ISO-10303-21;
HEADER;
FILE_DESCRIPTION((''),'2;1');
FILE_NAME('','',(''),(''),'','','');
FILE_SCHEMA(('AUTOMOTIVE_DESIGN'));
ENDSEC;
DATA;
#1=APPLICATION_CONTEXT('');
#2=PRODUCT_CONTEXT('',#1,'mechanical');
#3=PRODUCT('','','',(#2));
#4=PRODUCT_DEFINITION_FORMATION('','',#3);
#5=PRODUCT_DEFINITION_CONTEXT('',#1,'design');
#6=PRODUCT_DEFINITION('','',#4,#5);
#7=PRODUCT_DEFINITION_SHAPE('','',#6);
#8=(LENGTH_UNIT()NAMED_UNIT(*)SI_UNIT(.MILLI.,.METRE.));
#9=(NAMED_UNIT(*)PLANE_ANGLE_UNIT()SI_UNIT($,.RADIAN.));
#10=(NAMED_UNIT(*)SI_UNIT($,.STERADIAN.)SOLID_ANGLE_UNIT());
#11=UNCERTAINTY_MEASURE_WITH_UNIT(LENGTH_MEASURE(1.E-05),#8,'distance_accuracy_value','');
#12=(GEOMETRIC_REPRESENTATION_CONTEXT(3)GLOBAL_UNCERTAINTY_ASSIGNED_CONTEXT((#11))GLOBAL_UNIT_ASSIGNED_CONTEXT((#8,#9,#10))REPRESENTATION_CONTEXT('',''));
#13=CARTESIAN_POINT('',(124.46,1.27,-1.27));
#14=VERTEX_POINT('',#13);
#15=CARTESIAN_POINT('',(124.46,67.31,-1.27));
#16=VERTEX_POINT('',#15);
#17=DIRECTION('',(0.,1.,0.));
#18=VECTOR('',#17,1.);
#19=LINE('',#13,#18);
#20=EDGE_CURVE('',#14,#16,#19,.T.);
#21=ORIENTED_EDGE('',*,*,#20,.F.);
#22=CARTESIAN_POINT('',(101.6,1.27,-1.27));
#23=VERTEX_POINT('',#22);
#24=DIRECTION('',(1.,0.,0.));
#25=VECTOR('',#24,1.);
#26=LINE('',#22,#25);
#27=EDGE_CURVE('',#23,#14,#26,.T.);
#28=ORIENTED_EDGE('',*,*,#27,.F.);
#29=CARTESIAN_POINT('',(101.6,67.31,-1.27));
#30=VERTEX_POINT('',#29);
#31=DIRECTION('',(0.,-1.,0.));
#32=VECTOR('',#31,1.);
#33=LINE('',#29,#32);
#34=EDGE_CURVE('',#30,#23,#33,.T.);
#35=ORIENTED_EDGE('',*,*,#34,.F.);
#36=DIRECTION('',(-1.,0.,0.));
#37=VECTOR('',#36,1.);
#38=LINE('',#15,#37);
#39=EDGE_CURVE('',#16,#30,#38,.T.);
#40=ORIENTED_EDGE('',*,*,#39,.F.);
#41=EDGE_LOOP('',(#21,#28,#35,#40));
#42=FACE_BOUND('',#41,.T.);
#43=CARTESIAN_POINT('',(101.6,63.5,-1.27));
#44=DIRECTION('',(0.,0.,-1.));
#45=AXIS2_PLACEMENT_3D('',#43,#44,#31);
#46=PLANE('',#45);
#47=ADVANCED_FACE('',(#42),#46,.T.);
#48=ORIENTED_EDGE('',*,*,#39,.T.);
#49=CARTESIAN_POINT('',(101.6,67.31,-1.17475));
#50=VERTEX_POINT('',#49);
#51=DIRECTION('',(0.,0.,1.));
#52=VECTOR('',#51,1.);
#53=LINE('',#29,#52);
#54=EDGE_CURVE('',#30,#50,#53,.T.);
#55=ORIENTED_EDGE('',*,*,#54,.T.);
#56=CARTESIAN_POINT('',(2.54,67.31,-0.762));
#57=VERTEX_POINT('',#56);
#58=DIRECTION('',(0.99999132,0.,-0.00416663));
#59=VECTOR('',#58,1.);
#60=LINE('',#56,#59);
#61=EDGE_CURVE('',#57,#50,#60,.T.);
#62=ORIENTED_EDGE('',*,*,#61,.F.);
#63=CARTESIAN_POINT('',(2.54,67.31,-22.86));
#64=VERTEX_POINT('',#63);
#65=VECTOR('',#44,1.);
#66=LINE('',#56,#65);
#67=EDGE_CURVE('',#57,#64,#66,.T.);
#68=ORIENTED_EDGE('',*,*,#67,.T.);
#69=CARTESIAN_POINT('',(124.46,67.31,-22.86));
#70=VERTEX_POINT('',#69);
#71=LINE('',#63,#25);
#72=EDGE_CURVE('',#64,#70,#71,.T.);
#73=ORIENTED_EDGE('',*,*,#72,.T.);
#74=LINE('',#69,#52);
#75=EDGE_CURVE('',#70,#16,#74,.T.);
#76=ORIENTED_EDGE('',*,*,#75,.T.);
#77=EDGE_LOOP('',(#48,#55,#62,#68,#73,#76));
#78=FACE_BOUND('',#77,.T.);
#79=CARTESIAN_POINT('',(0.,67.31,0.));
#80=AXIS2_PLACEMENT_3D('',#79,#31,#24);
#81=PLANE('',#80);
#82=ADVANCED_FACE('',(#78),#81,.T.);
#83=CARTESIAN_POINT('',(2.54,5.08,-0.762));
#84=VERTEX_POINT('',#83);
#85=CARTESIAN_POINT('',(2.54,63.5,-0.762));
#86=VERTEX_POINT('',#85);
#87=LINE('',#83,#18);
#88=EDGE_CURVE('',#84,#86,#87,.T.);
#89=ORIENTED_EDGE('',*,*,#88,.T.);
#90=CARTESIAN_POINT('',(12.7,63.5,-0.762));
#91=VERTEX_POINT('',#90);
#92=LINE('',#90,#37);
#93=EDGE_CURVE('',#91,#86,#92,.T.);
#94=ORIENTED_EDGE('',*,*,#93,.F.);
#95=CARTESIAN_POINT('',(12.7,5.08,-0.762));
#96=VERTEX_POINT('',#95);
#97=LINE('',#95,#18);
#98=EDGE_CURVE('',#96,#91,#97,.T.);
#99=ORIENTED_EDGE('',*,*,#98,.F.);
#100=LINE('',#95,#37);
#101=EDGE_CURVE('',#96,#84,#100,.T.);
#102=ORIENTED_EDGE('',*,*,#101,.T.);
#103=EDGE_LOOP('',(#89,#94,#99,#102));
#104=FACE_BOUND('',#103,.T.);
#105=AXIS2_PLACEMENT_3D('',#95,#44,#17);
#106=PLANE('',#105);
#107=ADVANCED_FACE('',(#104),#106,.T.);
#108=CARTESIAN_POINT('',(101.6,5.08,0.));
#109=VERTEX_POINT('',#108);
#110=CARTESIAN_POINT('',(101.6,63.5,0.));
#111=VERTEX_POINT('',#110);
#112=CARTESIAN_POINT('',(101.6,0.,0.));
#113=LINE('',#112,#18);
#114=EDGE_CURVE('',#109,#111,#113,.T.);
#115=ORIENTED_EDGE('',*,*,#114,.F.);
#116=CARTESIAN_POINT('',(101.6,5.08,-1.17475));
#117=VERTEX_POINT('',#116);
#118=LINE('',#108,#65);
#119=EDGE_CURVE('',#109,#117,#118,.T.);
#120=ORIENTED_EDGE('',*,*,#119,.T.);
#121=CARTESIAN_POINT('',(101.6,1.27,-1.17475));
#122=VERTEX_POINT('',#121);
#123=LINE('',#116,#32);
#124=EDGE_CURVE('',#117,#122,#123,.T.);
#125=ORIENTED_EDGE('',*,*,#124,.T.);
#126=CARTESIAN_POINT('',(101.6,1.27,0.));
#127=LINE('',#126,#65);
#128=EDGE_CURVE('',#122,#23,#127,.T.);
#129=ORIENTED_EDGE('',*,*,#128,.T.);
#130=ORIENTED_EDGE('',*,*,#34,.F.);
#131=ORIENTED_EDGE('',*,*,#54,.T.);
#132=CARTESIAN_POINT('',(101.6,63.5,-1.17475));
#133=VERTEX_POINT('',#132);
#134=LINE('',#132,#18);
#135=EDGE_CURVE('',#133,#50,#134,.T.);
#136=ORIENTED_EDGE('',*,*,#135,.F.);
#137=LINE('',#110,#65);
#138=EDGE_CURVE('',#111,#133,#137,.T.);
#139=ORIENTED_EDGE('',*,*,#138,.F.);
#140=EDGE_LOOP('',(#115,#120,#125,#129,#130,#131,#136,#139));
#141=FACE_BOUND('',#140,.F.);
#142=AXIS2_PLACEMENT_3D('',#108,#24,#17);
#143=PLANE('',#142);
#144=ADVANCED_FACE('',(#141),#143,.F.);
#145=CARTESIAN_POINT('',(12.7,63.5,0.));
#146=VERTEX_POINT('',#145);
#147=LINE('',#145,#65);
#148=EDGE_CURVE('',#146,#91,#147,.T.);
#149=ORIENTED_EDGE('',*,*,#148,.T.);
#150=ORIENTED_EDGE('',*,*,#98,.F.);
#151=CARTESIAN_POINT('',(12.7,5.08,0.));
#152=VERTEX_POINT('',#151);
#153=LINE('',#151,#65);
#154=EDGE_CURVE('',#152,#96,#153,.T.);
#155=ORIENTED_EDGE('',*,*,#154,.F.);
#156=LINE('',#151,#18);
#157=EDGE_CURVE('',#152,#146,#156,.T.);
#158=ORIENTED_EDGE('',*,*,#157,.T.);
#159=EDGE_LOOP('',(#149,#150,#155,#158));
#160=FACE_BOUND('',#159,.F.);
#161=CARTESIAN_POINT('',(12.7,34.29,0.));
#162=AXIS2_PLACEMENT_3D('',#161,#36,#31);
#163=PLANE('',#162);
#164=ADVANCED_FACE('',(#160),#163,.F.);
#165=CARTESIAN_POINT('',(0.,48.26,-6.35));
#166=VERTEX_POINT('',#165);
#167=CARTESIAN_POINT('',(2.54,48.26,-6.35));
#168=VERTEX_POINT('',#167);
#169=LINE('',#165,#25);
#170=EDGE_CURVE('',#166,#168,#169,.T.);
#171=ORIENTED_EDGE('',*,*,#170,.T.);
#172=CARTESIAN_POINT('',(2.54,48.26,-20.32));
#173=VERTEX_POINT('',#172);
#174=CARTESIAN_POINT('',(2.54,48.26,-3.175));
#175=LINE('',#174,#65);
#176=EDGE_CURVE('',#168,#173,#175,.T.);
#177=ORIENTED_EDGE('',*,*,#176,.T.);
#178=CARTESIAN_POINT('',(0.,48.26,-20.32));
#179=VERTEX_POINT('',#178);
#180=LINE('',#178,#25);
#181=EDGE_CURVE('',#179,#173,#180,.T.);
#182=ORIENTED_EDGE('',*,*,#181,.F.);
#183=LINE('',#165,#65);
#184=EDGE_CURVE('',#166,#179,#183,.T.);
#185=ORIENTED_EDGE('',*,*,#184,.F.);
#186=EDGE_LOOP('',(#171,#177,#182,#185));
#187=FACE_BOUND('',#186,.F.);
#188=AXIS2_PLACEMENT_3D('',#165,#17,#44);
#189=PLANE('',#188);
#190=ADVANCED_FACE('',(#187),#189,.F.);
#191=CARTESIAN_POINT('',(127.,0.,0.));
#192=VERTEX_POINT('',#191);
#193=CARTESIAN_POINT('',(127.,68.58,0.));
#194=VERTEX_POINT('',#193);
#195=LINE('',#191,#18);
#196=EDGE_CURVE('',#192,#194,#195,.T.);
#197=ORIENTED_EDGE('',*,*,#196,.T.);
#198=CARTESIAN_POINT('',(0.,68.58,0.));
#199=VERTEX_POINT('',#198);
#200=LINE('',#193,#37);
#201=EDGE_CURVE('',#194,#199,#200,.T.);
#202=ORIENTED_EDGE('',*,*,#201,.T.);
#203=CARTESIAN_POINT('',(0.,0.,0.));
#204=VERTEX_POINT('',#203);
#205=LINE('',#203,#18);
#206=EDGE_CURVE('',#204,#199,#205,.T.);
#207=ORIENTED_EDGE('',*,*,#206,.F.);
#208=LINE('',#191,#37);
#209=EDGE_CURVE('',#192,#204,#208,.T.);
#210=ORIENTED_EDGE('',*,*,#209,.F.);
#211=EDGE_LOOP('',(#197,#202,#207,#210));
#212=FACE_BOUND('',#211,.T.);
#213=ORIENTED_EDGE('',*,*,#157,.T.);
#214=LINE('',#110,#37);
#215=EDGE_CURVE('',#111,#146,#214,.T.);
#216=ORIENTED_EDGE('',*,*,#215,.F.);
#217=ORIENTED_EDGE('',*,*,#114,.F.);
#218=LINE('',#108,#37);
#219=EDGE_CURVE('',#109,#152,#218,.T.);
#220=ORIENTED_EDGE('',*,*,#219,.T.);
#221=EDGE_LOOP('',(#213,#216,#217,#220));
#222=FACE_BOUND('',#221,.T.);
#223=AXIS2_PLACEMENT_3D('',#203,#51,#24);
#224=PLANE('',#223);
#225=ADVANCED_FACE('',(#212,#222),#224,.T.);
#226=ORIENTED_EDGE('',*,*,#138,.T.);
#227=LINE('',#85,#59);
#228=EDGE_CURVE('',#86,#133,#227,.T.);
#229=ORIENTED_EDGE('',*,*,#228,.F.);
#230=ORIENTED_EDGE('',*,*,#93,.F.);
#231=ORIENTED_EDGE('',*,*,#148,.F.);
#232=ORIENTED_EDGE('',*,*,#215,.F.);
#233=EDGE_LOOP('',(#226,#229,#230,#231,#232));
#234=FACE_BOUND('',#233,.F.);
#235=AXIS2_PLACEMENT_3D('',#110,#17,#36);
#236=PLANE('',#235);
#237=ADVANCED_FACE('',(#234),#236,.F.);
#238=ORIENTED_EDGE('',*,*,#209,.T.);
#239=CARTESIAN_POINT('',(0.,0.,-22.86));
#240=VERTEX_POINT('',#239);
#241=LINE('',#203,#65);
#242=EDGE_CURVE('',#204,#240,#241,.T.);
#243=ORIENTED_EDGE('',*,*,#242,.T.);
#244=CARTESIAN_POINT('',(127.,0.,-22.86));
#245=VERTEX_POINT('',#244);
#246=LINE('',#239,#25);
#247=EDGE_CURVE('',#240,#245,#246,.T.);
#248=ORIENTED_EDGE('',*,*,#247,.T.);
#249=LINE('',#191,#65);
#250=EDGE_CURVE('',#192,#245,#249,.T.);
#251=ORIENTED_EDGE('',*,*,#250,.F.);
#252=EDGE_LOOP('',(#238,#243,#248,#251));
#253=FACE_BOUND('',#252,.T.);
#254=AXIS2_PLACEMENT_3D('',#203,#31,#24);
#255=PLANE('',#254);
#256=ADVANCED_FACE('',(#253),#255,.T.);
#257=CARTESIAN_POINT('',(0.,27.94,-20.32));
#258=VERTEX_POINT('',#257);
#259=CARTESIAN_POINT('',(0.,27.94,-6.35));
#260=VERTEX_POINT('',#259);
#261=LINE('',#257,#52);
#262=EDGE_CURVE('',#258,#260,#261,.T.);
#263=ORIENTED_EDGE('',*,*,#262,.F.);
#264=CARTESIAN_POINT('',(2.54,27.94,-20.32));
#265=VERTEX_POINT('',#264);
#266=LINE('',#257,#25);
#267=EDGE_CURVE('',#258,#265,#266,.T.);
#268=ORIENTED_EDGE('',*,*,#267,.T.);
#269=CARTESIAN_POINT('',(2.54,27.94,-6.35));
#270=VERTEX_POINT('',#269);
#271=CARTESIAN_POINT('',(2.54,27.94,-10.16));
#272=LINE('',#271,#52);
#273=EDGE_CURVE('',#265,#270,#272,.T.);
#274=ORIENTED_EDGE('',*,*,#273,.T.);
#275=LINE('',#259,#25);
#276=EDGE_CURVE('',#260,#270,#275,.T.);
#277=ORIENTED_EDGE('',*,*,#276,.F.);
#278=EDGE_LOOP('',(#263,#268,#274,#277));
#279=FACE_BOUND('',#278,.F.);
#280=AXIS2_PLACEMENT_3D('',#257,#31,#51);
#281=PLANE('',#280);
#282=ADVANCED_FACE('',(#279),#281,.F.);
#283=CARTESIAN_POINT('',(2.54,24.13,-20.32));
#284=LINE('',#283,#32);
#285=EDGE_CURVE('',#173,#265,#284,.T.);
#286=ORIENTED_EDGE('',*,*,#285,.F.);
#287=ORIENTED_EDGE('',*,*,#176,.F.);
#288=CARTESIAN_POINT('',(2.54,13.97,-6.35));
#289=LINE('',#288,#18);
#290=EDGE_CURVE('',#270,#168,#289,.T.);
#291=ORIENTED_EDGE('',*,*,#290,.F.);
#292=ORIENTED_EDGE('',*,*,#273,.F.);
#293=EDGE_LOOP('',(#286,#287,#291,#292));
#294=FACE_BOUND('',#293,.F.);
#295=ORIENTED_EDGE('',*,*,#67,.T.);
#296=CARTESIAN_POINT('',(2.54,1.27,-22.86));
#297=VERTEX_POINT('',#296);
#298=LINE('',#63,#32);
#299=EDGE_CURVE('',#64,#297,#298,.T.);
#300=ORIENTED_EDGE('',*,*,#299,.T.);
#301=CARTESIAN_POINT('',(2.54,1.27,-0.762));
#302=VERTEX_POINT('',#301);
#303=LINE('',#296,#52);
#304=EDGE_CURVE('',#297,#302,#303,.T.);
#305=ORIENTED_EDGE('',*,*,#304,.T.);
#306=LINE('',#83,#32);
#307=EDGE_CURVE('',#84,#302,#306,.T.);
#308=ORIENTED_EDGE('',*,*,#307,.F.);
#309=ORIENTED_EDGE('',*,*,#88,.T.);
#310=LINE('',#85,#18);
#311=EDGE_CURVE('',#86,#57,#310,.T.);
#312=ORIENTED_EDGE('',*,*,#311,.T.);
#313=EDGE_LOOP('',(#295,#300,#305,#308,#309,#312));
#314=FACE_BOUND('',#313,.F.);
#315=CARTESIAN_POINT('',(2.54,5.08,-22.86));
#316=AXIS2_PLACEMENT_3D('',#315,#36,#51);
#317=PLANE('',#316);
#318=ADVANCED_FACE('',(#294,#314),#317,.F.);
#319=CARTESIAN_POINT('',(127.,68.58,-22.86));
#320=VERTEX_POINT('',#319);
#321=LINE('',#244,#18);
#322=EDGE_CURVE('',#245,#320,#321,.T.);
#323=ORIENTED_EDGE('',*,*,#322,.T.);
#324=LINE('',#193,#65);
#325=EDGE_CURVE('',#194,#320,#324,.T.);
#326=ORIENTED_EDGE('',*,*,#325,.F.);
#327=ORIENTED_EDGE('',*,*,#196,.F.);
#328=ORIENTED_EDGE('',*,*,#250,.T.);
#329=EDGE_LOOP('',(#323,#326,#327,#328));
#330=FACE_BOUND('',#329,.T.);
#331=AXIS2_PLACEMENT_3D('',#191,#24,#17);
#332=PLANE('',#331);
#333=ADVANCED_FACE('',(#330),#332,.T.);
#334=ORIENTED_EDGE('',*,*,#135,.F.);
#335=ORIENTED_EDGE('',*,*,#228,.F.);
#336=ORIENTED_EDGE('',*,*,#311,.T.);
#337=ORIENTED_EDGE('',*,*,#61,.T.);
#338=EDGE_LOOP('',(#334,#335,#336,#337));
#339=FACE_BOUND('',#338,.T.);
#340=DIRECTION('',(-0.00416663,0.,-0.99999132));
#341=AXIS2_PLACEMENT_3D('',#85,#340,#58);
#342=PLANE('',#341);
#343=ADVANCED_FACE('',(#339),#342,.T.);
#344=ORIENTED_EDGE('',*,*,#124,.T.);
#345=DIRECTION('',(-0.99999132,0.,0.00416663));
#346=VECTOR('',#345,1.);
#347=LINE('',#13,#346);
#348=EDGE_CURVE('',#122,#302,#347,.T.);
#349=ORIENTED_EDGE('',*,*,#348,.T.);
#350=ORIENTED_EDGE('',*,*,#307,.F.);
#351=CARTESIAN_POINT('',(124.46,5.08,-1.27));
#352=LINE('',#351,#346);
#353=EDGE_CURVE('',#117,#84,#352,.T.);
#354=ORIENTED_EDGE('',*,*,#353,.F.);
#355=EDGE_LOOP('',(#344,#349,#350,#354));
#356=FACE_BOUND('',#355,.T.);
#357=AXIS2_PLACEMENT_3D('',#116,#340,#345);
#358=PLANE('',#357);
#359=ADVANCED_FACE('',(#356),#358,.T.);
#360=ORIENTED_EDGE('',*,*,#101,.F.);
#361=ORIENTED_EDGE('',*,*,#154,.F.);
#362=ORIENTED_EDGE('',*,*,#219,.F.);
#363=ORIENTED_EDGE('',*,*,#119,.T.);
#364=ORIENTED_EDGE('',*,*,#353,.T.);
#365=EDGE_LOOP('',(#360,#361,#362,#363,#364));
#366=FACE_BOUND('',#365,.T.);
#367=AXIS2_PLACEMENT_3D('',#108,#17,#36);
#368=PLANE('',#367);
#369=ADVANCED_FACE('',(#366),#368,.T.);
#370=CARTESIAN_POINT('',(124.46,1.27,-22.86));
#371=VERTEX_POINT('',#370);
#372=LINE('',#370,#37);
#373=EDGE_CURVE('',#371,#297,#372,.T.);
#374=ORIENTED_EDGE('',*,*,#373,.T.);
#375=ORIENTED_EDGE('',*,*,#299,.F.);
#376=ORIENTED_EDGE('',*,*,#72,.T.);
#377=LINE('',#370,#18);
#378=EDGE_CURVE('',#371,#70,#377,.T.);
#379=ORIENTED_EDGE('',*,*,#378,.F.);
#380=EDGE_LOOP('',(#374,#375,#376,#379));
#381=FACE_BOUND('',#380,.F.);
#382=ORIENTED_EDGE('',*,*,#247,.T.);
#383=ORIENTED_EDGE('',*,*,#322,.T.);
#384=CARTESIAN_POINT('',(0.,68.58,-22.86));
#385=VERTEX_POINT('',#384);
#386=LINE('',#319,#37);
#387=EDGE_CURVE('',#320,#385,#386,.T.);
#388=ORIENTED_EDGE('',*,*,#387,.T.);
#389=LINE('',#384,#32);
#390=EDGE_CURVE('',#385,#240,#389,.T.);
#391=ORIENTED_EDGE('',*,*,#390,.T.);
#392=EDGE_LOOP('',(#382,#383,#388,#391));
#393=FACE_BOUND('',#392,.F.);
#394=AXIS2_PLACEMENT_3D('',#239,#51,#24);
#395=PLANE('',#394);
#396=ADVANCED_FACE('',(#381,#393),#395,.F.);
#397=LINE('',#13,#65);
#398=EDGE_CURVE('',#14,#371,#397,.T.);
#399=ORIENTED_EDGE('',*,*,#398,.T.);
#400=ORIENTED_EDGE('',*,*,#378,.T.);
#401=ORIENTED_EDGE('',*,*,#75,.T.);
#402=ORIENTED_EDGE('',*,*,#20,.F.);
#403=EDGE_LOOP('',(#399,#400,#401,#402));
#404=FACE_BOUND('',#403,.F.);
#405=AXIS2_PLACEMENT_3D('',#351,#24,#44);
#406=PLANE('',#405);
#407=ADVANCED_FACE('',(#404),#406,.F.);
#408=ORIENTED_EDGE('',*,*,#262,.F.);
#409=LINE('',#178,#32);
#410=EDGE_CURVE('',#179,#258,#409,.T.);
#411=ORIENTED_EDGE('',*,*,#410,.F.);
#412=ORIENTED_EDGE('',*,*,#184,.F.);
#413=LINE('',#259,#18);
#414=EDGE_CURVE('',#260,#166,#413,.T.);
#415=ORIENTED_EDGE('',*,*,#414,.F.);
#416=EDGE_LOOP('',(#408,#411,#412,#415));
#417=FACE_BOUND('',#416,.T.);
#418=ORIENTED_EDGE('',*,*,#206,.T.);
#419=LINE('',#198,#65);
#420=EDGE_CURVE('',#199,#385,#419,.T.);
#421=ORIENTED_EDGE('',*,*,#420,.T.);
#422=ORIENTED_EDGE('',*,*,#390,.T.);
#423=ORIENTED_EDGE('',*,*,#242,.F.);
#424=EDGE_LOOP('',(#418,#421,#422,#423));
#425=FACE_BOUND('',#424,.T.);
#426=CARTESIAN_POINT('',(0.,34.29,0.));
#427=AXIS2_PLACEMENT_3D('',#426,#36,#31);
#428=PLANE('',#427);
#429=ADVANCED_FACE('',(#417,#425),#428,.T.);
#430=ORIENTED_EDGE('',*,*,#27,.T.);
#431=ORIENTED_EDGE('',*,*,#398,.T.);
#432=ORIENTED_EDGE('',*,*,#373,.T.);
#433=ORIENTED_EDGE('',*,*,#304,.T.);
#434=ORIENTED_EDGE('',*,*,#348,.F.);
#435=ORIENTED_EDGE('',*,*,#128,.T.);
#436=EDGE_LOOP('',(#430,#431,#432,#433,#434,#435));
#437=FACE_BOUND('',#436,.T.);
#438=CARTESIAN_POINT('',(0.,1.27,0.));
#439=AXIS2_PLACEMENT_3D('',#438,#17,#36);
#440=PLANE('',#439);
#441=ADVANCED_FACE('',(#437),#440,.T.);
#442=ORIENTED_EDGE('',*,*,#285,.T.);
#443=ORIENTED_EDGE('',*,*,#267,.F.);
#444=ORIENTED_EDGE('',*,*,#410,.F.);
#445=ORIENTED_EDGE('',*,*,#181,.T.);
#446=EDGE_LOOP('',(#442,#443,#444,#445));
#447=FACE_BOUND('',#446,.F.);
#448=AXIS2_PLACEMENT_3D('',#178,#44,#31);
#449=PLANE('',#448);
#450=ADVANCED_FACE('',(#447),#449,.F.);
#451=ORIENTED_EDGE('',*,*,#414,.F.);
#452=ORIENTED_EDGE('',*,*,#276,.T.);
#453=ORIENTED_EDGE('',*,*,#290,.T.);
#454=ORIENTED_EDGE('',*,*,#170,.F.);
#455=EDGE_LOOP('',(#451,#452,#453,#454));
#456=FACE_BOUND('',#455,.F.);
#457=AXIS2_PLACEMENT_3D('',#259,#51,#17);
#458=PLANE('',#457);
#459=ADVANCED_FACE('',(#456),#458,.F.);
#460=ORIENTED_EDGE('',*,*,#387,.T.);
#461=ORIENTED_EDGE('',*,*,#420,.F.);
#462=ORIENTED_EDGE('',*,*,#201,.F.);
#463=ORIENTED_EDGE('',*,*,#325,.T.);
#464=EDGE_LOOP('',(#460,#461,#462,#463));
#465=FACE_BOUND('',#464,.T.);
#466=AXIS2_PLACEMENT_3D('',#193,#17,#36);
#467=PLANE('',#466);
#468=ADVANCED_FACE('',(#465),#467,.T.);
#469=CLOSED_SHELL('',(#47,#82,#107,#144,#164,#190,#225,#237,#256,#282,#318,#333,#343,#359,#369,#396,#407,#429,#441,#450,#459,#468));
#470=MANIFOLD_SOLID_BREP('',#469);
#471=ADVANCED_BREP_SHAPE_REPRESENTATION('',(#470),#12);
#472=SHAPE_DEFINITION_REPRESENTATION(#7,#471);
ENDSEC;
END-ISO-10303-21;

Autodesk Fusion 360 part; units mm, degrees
sketch "Sketch1" plane through (0, 0, 0) normal (0, 0, 1) x (1, 0, 0)
  line L0 (0, 0) -> (127, 0)
  line L1 (127, 0) -> (127, 68.58)
  line L2 (127, 68.58) -> (0, 68.58)
  line L3 (0, 68.58) -> (0, 0)
  line L4 (0, 0) -> (0, 34.29)
  line L5 (0, 34.29) -> (12.7, 34.29)
  line L6 (101.6, 0) -> (101.6, 63.5)
  line L7 (101.6, 63.5) -> (12.7, 63.5)
  line L8 (12.7, 63.5) -> (12.7, 0)
  line L9 (101.6, 5.08) -> (12.7, 5.08)
  dimension "d1" = 127
  dimension "d2" = 68.58
  dimension "d3" = 34.29
  dimension "d4" = 12.7
  dimension "d6" = 63.5
extrude "Extrude1" add sketch "Sketch1" against normal blind 22.86 contours L0 L3 L4 L5 L8 | L0 L6 L8 L9 | L0 L1 L2 L3 L5 L6 L7 L8
sketch "Sketch2" plane through (0, 0, 0) normal (-1, 0, 0) x (0, -1, 0)
  line L0 (0, 0) -> (-68.58, 0)
  line L1 (-68.58, 0) -> (-68.58, -22.86)
  line L2 (-68.58, -22.86) -> (0, -22.86)
  line L3 (0, -22.86) -> (0, 0)
  line L4 (-68.58, -22.86) -> (-68.58, -20.32)
  line L5 (-27.94, -20.32) -> (-27.94, -6.35)
  line L6 (-27.94, -6.35) -> (-48.26, -6.35)
  line L7 (-48.26, -6.35) -> (-48.26, -20.32)
  line L8 (-48.26, -20.32) -> (-27.94, -20.32)
  dimension "d12" = 13.97
extrude "Extrude2" cut sketch "Sketch2" against normal blind 5.08 contours L5 L6 L7 L8
sketch "Sketch3" plane through (101.6, 0, 0) normal (-1, 0, 0) x (0, -1, 0)
  line L0 (-5.08, 0) -> (-63.5, 0)
  line L1 (-63.5, 0) -> (-63.5, -22.86)
  line L2 (-63.5, -22.86) -> (-5.08, -22.86)
  line L3 (-5.08, -22.86) -> (-5.08, 0)
  line L4 (-63.5, -22.86) -> (-63.5, -1.27)
  line L5 (-63.5, -1.27) -> (-5.08, -1.27)
  line L6 (-5.08, -22.86) -> (-5.08, -1.27)
  line L7 (-63.5, -22.86) -> (-5.08, -22.86)
extrude "Extrude3" cut sketch "Sketch3" against normal blind 22.86 contours L1 L2 L3 L4 L5 L6 L7
sketch "Sketch4" plane through (12.7, 0, 0) normal (1, 0, 0) x (0, 1, 0)
  line L0 (63.5, 0) -> (5.08, 0)
  line L1 (5.08, 0) -> (5.08, -22.86)
  line L2 (5.08, -22.86) -> (63.5, -22.86)
  line L3 (63.5, -22.86) -> (63.5, 0)
  line L4 (5.08, -22.86) -> (5.08, -0.762)
  line L5 (5.08, -0.762) -> (63.5, -0.762)
  line L6 (63.5, -22.86) -> (63.5, -0.762)
  line L7 (63.5, -22.86) -> (5.08, -22.86)
extrude "Extrude4" cut sketch "Sketch4" against normal blind 10.16 contours L1 L2 L3 L4 L5 L6 L7
sketch "Sketch5" plane through (0, 63.5, 0) normal (0, -1, 0) x (1, 0, 0)
  line L0 (101.6, 0) -> (12.7, 0)
  line L1 (12.7, 0) -> (12.7, -0.762)
  line L2 (12.7, -0.762) -> (2.54, -0.762)
  line L3 (2.54, -0.762) -> (2.54, -22.86)
  line L4 (2.54, -22.86) -> (124.46, -22.86)
  line L5 (124.46, -22.86) -> (124.46, -1.27)
  line L6 (124.46, -1.27) -> (101.6, -1.27)
  line L7 (101.6, -1.27) -> (101.6, 0)
  line L8 (2.54, -0.762) -> (124.46, -1.27)
  line L9 (124.46, -22.86) -> (2.54, -22.86)
  line L10 (2.54, -0.762) -> (2.54, -21.3653)
extrude "Extrude5" cut sketch "Sketch5" against normal blind 3.81 contours L3 L4 L5 L6 L7 L8 L9 L10
sketch "Sketch6" plane through (0, 5.08, 0) normal (0, 1, 0) x (-1, 0, 0)
  line L0 (-12.7, 0) -> (-101.6, 0)
  line L1 (-101.6, 0) -> (-101.6, -1.27)
  line L2 (-101.6, -1.27) -> (-124.46, -1.27)
  line L3 (-124.46, -1.27) -> (-124.46, -22.86)
  line L4 (-124.46, -22.86) -> (-2.54, -22.86)
  line L5 (-2.54, -22.86) -> (-2.54, -0.762)
  line L6 (-2.54, -0.762) -> (-12.7, -0.762)
  line L7 (-12.7, -0.762) -> (-12.7, 0)
  line L8 (-124.46, -1.27) -> (-2.54, -0.762)
  line L9 (-2.54, -22.86) -> (-124.46, -22.86)
  line L10 (-124.46, -1.27) -> (-124.46, -22.86)
extrude "Extrude6" cut sketch "Sketch6" against normal blind 3.81 contours L1 L2 L3 L4 L5 L8 L9 L10
